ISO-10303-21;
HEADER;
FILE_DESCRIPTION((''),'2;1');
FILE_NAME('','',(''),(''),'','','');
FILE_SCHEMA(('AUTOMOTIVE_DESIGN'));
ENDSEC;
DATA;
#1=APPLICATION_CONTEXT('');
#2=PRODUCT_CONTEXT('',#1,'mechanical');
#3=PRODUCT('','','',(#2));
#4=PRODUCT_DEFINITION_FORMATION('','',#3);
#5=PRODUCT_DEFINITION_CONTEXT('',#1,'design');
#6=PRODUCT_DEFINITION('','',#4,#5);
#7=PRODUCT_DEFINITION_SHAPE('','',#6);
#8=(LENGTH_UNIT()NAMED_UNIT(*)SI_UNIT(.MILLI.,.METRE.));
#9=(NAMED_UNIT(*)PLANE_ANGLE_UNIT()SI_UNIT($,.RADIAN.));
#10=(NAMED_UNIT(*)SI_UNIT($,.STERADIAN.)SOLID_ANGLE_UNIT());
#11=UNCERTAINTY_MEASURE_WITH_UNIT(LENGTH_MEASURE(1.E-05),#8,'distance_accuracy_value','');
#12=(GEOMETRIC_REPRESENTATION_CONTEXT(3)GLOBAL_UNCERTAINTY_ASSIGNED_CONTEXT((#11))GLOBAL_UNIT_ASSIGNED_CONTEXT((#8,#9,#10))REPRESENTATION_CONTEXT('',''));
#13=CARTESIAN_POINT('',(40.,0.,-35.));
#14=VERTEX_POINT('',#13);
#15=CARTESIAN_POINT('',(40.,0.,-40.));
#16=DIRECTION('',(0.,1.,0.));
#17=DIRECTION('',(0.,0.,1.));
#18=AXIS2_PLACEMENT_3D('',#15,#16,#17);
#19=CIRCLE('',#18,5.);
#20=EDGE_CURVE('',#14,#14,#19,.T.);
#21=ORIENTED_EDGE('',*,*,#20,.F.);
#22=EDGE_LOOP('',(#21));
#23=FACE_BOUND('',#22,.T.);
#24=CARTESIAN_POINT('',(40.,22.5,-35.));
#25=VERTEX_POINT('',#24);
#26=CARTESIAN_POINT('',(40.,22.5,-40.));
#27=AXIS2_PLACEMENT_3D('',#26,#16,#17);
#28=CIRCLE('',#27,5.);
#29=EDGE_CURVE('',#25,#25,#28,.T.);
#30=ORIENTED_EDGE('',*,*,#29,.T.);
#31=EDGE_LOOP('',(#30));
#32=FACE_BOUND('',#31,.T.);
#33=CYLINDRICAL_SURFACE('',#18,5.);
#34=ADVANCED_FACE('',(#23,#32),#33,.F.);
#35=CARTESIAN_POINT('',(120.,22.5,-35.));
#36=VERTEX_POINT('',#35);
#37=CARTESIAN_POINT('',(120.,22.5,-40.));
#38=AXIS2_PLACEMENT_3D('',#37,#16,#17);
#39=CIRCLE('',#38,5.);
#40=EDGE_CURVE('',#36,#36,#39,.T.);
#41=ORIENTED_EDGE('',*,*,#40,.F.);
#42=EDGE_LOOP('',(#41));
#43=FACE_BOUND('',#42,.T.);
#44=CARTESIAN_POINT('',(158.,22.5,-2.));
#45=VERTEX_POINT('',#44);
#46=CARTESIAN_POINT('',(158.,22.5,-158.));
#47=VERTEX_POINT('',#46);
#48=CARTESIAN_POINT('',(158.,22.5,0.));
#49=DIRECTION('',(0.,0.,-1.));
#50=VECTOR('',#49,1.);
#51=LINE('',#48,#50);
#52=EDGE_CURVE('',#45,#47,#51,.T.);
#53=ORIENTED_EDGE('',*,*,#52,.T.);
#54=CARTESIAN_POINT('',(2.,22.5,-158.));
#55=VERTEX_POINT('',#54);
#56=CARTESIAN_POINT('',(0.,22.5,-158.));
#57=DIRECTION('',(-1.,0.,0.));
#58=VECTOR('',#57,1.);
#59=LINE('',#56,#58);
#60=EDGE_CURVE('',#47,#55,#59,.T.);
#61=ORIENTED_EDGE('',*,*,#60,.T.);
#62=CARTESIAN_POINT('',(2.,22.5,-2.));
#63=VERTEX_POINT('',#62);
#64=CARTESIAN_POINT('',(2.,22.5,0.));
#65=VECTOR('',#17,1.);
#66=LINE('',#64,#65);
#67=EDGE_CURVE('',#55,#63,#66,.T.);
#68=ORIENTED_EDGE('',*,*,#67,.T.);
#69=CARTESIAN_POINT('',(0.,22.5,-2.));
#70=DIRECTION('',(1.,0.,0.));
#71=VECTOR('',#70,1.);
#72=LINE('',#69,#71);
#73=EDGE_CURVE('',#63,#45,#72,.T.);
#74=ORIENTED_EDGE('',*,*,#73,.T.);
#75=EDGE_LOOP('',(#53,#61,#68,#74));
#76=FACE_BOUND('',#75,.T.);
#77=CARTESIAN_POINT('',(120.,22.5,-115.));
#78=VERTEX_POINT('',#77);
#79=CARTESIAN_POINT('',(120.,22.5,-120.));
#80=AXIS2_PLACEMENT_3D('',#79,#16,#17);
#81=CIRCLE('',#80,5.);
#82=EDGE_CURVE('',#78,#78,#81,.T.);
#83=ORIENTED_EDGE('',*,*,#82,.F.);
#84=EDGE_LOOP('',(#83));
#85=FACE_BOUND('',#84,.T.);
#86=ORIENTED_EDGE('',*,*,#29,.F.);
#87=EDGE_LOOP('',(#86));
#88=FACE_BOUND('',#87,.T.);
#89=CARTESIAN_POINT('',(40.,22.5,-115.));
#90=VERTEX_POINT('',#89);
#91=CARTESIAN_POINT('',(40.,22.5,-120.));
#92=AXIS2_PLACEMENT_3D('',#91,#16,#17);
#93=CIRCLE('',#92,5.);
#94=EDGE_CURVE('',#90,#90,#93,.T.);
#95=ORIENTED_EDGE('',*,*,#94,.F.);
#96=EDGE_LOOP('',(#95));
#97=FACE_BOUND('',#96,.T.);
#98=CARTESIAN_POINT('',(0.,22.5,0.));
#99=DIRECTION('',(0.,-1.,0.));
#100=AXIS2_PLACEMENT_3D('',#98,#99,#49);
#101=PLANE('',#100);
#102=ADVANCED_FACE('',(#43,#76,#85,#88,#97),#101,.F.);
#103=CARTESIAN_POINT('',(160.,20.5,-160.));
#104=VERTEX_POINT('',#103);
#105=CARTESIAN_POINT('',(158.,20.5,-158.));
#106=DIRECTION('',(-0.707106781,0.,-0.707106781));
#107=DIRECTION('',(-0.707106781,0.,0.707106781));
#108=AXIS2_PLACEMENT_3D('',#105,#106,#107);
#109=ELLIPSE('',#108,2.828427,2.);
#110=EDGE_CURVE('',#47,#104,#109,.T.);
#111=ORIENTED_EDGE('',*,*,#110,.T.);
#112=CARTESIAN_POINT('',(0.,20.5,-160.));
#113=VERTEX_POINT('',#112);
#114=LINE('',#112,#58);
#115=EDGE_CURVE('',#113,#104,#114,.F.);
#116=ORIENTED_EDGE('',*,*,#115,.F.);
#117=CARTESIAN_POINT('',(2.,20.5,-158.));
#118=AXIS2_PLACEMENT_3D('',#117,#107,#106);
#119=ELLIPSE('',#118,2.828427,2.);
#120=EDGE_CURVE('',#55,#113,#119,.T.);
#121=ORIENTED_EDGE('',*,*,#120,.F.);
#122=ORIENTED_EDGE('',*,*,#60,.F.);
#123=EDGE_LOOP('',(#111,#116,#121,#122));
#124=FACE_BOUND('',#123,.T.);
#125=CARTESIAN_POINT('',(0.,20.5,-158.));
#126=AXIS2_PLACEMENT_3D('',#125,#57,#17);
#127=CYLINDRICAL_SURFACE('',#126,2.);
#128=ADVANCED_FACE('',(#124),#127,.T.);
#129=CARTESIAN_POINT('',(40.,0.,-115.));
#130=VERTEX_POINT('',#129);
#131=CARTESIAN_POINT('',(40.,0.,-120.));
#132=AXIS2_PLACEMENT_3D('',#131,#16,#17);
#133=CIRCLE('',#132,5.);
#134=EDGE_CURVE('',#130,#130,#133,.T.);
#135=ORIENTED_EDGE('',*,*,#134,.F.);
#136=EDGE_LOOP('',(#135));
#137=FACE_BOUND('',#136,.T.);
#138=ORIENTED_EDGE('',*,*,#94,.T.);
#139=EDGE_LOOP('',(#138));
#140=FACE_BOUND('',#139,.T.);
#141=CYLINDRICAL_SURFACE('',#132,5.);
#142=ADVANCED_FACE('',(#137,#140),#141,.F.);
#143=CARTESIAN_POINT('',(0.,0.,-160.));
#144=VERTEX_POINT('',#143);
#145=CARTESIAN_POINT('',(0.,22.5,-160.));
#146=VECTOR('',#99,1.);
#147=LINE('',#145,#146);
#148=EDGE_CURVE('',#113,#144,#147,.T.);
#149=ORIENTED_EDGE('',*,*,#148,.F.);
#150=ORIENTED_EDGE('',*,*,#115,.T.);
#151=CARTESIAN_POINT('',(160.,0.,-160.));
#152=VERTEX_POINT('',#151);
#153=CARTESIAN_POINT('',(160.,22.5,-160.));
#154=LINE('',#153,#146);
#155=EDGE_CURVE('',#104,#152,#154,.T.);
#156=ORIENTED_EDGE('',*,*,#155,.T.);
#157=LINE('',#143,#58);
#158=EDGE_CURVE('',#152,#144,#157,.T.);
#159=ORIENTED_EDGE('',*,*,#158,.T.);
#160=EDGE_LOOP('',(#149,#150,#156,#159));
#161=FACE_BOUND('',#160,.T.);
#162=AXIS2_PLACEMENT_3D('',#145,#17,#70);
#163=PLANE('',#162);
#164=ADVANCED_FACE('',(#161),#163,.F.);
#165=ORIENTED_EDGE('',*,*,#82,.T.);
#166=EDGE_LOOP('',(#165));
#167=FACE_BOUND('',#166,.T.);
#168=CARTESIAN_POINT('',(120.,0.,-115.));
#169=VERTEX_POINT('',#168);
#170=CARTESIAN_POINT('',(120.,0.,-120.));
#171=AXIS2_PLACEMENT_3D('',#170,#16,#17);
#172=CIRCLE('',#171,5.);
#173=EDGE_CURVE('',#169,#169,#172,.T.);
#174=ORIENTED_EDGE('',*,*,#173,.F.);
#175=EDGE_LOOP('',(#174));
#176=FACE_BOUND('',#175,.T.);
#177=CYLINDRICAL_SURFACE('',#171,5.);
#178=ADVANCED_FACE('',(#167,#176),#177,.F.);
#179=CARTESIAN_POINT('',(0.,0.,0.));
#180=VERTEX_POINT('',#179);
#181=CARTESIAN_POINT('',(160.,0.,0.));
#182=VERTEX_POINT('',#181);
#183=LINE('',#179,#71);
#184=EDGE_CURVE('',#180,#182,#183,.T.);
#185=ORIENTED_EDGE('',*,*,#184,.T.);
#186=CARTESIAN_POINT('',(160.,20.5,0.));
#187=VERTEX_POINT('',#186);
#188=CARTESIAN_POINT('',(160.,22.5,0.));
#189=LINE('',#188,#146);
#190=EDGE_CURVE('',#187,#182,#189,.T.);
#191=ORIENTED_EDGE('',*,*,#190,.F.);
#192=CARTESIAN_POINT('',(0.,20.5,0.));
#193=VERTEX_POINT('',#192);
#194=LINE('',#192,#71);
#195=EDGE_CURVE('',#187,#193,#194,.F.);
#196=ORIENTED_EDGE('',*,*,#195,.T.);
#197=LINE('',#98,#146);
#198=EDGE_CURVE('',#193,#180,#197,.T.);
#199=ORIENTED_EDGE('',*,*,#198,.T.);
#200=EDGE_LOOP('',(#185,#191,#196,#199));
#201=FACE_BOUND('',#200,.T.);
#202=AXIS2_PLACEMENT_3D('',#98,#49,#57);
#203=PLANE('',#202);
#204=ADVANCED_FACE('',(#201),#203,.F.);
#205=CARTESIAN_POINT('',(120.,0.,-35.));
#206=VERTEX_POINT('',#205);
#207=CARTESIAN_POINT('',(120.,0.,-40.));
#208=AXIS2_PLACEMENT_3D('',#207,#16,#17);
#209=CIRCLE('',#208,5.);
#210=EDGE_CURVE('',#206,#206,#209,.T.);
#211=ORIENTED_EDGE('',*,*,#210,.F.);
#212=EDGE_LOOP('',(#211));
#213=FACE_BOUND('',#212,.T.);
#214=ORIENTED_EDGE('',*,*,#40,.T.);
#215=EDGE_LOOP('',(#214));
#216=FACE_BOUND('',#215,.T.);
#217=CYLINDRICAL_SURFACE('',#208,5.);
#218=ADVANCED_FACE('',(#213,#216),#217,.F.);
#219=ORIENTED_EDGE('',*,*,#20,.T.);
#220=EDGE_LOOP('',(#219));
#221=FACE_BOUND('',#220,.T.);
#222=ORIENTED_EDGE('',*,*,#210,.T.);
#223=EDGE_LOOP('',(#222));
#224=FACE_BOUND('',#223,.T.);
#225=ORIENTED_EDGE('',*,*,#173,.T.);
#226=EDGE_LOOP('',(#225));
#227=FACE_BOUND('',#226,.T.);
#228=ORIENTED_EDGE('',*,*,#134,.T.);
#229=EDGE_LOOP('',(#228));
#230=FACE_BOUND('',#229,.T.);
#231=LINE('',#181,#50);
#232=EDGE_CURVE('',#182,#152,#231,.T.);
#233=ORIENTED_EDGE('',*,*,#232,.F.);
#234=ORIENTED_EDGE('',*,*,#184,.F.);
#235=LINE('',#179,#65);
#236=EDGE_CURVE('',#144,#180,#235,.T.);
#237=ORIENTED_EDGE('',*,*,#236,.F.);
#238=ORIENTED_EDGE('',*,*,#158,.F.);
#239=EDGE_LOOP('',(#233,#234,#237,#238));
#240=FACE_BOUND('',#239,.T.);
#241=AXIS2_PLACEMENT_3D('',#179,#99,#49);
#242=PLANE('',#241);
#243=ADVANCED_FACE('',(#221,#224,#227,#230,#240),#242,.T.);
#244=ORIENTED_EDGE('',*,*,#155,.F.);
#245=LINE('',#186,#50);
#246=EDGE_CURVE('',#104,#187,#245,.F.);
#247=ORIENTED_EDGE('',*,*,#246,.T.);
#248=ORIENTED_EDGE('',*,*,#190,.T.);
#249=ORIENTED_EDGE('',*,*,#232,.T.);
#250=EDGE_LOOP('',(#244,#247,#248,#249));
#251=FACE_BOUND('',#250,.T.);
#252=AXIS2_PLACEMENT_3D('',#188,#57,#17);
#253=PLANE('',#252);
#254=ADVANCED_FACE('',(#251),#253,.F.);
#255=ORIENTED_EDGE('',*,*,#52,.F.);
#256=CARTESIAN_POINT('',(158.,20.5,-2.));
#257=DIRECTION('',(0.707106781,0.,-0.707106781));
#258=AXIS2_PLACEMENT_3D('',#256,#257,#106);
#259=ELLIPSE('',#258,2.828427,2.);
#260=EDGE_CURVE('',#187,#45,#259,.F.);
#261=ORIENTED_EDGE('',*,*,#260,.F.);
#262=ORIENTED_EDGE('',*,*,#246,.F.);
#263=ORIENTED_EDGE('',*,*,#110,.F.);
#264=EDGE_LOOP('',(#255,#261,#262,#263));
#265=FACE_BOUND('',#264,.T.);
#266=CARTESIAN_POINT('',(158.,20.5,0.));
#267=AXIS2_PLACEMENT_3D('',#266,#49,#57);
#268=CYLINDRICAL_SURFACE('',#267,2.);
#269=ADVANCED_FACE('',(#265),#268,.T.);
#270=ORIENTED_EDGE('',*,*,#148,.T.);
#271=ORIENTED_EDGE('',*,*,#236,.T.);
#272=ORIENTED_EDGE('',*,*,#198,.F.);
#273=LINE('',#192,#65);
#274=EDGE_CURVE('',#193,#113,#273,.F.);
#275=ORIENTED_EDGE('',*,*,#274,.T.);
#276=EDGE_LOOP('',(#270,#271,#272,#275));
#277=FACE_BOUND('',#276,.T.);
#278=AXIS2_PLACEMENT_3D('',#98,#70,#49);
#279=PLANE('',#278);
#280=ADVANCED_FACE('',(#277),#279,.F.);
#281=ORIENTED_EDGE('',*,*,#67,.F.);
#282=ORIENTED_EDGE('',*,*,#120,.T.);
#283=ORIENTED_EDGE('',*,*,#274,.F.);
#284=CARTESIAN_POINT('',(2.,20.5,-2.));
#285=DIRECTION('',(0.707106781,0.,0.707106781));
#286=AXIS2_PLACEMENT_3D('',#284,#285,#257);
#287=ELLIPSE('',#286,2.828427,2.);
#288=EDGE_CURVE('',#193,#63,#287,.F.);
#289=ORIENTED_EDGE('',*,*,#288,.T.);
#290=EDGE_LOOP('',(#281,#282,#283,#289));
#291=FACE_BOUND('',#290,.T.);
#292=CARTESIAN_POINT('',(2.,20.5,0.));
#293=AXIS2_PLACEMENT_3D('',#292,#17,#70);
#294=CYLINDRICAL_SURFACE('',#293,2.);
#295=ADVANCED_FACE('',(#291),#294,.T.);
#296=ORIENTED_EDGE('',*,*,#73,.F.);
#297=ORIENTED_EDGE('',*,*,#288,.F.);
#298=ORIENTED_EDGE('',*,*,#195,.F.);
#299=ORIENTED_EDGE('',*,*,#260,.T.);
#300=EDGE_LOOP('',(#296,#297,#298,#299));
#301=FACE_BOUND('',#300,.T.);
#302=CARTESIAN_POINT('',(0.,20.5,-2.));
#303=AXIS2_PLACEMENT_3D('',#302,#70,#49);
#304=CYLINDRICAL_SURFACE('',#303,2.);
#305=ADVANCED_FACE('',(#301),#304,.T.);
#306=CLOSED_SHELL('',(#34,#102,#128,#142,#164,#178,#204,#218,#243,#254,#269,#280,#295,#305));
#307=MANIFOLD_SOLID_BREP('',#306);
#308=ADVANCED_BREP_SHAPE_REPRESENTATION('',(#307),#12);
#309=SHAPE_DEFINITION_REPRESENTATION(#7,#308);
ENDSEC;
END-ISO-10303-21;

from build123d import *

# Parameters (mm, degrees)
SKETCH_1_W                  = 160
SKETCH_1_H                  = 160
EXTRUDE_1_DEPTH             = 22.5
SKETCH_2_R                  = 5
CUT_EXTRUDE_1_DEPTH         = 228.390083337
PATTERN_LINEAR_1_COUNT      = 2
PATTERN_LINEAR_1_PITCH      = 80
PATTERN_LINEAR_1_COUNT_DIR2 = 2
PATTERN_LINEAR_1_PITCH_DIR2 = 80
FILLET_2_R                  = 2


with BuildPart() as part:
    # 草图1 → 凸台-拉伸1 (new body)
    with BuildSketch(Plane(origin=(0, 0, 0), x_dir=(1, 0, 0), z_dir=(0, 1, 0))):
        with Locations((80, 80)):
            Rectangle(SKETCH_1_W, SKETCH_1_H)
    extrude(amount=EXTRUDE_1_DEPTH)

    # 草图2 → 切除-拉伸1 (cut, through all)
    with BuildSketch(Plane(origin=(0, 22.5, 0), x_dir=(1, 0, 0), z_dir=(0, 1, 0))):
        with Locations(Location((40, 120, 0), (0, 0, 270))):
            Circle(SKETCH_2_R)
    cut_extrude_1 = extrude(amount=-CUT_EXTRUDE_1_DEPTH, mode=Mode.SUBTRACT)

    # 阵列(线性)1: Cut-Extrude 1 2 × 2
    with Locations(*[(i * PATTERN_LINEAR_1_PITCH, 0, j * PATTERN_LINEAR_1_PITCH_DIR2) for i in range(PATTERN_LINEAR_1_COUNT) for j in range(PATTERN_LINEAR_1_COUNT_DIR2) if (i, j) != (0, 0)]):
        add(cut_extrude_1, mode=Mode.SUBTRACT)

    # 圆角2
    fillet_2_edges = [part.edges().sort_by_distance(p)[0] for p in [
        (160, 22.5, -80),
        (80, 22.5, -160),
        (0, 22.5, -80),
        (80, 22.5, 0),
    ]]
    fillet(fillet_2_edges, radius=FILLET_2_R)


solid = part.part
